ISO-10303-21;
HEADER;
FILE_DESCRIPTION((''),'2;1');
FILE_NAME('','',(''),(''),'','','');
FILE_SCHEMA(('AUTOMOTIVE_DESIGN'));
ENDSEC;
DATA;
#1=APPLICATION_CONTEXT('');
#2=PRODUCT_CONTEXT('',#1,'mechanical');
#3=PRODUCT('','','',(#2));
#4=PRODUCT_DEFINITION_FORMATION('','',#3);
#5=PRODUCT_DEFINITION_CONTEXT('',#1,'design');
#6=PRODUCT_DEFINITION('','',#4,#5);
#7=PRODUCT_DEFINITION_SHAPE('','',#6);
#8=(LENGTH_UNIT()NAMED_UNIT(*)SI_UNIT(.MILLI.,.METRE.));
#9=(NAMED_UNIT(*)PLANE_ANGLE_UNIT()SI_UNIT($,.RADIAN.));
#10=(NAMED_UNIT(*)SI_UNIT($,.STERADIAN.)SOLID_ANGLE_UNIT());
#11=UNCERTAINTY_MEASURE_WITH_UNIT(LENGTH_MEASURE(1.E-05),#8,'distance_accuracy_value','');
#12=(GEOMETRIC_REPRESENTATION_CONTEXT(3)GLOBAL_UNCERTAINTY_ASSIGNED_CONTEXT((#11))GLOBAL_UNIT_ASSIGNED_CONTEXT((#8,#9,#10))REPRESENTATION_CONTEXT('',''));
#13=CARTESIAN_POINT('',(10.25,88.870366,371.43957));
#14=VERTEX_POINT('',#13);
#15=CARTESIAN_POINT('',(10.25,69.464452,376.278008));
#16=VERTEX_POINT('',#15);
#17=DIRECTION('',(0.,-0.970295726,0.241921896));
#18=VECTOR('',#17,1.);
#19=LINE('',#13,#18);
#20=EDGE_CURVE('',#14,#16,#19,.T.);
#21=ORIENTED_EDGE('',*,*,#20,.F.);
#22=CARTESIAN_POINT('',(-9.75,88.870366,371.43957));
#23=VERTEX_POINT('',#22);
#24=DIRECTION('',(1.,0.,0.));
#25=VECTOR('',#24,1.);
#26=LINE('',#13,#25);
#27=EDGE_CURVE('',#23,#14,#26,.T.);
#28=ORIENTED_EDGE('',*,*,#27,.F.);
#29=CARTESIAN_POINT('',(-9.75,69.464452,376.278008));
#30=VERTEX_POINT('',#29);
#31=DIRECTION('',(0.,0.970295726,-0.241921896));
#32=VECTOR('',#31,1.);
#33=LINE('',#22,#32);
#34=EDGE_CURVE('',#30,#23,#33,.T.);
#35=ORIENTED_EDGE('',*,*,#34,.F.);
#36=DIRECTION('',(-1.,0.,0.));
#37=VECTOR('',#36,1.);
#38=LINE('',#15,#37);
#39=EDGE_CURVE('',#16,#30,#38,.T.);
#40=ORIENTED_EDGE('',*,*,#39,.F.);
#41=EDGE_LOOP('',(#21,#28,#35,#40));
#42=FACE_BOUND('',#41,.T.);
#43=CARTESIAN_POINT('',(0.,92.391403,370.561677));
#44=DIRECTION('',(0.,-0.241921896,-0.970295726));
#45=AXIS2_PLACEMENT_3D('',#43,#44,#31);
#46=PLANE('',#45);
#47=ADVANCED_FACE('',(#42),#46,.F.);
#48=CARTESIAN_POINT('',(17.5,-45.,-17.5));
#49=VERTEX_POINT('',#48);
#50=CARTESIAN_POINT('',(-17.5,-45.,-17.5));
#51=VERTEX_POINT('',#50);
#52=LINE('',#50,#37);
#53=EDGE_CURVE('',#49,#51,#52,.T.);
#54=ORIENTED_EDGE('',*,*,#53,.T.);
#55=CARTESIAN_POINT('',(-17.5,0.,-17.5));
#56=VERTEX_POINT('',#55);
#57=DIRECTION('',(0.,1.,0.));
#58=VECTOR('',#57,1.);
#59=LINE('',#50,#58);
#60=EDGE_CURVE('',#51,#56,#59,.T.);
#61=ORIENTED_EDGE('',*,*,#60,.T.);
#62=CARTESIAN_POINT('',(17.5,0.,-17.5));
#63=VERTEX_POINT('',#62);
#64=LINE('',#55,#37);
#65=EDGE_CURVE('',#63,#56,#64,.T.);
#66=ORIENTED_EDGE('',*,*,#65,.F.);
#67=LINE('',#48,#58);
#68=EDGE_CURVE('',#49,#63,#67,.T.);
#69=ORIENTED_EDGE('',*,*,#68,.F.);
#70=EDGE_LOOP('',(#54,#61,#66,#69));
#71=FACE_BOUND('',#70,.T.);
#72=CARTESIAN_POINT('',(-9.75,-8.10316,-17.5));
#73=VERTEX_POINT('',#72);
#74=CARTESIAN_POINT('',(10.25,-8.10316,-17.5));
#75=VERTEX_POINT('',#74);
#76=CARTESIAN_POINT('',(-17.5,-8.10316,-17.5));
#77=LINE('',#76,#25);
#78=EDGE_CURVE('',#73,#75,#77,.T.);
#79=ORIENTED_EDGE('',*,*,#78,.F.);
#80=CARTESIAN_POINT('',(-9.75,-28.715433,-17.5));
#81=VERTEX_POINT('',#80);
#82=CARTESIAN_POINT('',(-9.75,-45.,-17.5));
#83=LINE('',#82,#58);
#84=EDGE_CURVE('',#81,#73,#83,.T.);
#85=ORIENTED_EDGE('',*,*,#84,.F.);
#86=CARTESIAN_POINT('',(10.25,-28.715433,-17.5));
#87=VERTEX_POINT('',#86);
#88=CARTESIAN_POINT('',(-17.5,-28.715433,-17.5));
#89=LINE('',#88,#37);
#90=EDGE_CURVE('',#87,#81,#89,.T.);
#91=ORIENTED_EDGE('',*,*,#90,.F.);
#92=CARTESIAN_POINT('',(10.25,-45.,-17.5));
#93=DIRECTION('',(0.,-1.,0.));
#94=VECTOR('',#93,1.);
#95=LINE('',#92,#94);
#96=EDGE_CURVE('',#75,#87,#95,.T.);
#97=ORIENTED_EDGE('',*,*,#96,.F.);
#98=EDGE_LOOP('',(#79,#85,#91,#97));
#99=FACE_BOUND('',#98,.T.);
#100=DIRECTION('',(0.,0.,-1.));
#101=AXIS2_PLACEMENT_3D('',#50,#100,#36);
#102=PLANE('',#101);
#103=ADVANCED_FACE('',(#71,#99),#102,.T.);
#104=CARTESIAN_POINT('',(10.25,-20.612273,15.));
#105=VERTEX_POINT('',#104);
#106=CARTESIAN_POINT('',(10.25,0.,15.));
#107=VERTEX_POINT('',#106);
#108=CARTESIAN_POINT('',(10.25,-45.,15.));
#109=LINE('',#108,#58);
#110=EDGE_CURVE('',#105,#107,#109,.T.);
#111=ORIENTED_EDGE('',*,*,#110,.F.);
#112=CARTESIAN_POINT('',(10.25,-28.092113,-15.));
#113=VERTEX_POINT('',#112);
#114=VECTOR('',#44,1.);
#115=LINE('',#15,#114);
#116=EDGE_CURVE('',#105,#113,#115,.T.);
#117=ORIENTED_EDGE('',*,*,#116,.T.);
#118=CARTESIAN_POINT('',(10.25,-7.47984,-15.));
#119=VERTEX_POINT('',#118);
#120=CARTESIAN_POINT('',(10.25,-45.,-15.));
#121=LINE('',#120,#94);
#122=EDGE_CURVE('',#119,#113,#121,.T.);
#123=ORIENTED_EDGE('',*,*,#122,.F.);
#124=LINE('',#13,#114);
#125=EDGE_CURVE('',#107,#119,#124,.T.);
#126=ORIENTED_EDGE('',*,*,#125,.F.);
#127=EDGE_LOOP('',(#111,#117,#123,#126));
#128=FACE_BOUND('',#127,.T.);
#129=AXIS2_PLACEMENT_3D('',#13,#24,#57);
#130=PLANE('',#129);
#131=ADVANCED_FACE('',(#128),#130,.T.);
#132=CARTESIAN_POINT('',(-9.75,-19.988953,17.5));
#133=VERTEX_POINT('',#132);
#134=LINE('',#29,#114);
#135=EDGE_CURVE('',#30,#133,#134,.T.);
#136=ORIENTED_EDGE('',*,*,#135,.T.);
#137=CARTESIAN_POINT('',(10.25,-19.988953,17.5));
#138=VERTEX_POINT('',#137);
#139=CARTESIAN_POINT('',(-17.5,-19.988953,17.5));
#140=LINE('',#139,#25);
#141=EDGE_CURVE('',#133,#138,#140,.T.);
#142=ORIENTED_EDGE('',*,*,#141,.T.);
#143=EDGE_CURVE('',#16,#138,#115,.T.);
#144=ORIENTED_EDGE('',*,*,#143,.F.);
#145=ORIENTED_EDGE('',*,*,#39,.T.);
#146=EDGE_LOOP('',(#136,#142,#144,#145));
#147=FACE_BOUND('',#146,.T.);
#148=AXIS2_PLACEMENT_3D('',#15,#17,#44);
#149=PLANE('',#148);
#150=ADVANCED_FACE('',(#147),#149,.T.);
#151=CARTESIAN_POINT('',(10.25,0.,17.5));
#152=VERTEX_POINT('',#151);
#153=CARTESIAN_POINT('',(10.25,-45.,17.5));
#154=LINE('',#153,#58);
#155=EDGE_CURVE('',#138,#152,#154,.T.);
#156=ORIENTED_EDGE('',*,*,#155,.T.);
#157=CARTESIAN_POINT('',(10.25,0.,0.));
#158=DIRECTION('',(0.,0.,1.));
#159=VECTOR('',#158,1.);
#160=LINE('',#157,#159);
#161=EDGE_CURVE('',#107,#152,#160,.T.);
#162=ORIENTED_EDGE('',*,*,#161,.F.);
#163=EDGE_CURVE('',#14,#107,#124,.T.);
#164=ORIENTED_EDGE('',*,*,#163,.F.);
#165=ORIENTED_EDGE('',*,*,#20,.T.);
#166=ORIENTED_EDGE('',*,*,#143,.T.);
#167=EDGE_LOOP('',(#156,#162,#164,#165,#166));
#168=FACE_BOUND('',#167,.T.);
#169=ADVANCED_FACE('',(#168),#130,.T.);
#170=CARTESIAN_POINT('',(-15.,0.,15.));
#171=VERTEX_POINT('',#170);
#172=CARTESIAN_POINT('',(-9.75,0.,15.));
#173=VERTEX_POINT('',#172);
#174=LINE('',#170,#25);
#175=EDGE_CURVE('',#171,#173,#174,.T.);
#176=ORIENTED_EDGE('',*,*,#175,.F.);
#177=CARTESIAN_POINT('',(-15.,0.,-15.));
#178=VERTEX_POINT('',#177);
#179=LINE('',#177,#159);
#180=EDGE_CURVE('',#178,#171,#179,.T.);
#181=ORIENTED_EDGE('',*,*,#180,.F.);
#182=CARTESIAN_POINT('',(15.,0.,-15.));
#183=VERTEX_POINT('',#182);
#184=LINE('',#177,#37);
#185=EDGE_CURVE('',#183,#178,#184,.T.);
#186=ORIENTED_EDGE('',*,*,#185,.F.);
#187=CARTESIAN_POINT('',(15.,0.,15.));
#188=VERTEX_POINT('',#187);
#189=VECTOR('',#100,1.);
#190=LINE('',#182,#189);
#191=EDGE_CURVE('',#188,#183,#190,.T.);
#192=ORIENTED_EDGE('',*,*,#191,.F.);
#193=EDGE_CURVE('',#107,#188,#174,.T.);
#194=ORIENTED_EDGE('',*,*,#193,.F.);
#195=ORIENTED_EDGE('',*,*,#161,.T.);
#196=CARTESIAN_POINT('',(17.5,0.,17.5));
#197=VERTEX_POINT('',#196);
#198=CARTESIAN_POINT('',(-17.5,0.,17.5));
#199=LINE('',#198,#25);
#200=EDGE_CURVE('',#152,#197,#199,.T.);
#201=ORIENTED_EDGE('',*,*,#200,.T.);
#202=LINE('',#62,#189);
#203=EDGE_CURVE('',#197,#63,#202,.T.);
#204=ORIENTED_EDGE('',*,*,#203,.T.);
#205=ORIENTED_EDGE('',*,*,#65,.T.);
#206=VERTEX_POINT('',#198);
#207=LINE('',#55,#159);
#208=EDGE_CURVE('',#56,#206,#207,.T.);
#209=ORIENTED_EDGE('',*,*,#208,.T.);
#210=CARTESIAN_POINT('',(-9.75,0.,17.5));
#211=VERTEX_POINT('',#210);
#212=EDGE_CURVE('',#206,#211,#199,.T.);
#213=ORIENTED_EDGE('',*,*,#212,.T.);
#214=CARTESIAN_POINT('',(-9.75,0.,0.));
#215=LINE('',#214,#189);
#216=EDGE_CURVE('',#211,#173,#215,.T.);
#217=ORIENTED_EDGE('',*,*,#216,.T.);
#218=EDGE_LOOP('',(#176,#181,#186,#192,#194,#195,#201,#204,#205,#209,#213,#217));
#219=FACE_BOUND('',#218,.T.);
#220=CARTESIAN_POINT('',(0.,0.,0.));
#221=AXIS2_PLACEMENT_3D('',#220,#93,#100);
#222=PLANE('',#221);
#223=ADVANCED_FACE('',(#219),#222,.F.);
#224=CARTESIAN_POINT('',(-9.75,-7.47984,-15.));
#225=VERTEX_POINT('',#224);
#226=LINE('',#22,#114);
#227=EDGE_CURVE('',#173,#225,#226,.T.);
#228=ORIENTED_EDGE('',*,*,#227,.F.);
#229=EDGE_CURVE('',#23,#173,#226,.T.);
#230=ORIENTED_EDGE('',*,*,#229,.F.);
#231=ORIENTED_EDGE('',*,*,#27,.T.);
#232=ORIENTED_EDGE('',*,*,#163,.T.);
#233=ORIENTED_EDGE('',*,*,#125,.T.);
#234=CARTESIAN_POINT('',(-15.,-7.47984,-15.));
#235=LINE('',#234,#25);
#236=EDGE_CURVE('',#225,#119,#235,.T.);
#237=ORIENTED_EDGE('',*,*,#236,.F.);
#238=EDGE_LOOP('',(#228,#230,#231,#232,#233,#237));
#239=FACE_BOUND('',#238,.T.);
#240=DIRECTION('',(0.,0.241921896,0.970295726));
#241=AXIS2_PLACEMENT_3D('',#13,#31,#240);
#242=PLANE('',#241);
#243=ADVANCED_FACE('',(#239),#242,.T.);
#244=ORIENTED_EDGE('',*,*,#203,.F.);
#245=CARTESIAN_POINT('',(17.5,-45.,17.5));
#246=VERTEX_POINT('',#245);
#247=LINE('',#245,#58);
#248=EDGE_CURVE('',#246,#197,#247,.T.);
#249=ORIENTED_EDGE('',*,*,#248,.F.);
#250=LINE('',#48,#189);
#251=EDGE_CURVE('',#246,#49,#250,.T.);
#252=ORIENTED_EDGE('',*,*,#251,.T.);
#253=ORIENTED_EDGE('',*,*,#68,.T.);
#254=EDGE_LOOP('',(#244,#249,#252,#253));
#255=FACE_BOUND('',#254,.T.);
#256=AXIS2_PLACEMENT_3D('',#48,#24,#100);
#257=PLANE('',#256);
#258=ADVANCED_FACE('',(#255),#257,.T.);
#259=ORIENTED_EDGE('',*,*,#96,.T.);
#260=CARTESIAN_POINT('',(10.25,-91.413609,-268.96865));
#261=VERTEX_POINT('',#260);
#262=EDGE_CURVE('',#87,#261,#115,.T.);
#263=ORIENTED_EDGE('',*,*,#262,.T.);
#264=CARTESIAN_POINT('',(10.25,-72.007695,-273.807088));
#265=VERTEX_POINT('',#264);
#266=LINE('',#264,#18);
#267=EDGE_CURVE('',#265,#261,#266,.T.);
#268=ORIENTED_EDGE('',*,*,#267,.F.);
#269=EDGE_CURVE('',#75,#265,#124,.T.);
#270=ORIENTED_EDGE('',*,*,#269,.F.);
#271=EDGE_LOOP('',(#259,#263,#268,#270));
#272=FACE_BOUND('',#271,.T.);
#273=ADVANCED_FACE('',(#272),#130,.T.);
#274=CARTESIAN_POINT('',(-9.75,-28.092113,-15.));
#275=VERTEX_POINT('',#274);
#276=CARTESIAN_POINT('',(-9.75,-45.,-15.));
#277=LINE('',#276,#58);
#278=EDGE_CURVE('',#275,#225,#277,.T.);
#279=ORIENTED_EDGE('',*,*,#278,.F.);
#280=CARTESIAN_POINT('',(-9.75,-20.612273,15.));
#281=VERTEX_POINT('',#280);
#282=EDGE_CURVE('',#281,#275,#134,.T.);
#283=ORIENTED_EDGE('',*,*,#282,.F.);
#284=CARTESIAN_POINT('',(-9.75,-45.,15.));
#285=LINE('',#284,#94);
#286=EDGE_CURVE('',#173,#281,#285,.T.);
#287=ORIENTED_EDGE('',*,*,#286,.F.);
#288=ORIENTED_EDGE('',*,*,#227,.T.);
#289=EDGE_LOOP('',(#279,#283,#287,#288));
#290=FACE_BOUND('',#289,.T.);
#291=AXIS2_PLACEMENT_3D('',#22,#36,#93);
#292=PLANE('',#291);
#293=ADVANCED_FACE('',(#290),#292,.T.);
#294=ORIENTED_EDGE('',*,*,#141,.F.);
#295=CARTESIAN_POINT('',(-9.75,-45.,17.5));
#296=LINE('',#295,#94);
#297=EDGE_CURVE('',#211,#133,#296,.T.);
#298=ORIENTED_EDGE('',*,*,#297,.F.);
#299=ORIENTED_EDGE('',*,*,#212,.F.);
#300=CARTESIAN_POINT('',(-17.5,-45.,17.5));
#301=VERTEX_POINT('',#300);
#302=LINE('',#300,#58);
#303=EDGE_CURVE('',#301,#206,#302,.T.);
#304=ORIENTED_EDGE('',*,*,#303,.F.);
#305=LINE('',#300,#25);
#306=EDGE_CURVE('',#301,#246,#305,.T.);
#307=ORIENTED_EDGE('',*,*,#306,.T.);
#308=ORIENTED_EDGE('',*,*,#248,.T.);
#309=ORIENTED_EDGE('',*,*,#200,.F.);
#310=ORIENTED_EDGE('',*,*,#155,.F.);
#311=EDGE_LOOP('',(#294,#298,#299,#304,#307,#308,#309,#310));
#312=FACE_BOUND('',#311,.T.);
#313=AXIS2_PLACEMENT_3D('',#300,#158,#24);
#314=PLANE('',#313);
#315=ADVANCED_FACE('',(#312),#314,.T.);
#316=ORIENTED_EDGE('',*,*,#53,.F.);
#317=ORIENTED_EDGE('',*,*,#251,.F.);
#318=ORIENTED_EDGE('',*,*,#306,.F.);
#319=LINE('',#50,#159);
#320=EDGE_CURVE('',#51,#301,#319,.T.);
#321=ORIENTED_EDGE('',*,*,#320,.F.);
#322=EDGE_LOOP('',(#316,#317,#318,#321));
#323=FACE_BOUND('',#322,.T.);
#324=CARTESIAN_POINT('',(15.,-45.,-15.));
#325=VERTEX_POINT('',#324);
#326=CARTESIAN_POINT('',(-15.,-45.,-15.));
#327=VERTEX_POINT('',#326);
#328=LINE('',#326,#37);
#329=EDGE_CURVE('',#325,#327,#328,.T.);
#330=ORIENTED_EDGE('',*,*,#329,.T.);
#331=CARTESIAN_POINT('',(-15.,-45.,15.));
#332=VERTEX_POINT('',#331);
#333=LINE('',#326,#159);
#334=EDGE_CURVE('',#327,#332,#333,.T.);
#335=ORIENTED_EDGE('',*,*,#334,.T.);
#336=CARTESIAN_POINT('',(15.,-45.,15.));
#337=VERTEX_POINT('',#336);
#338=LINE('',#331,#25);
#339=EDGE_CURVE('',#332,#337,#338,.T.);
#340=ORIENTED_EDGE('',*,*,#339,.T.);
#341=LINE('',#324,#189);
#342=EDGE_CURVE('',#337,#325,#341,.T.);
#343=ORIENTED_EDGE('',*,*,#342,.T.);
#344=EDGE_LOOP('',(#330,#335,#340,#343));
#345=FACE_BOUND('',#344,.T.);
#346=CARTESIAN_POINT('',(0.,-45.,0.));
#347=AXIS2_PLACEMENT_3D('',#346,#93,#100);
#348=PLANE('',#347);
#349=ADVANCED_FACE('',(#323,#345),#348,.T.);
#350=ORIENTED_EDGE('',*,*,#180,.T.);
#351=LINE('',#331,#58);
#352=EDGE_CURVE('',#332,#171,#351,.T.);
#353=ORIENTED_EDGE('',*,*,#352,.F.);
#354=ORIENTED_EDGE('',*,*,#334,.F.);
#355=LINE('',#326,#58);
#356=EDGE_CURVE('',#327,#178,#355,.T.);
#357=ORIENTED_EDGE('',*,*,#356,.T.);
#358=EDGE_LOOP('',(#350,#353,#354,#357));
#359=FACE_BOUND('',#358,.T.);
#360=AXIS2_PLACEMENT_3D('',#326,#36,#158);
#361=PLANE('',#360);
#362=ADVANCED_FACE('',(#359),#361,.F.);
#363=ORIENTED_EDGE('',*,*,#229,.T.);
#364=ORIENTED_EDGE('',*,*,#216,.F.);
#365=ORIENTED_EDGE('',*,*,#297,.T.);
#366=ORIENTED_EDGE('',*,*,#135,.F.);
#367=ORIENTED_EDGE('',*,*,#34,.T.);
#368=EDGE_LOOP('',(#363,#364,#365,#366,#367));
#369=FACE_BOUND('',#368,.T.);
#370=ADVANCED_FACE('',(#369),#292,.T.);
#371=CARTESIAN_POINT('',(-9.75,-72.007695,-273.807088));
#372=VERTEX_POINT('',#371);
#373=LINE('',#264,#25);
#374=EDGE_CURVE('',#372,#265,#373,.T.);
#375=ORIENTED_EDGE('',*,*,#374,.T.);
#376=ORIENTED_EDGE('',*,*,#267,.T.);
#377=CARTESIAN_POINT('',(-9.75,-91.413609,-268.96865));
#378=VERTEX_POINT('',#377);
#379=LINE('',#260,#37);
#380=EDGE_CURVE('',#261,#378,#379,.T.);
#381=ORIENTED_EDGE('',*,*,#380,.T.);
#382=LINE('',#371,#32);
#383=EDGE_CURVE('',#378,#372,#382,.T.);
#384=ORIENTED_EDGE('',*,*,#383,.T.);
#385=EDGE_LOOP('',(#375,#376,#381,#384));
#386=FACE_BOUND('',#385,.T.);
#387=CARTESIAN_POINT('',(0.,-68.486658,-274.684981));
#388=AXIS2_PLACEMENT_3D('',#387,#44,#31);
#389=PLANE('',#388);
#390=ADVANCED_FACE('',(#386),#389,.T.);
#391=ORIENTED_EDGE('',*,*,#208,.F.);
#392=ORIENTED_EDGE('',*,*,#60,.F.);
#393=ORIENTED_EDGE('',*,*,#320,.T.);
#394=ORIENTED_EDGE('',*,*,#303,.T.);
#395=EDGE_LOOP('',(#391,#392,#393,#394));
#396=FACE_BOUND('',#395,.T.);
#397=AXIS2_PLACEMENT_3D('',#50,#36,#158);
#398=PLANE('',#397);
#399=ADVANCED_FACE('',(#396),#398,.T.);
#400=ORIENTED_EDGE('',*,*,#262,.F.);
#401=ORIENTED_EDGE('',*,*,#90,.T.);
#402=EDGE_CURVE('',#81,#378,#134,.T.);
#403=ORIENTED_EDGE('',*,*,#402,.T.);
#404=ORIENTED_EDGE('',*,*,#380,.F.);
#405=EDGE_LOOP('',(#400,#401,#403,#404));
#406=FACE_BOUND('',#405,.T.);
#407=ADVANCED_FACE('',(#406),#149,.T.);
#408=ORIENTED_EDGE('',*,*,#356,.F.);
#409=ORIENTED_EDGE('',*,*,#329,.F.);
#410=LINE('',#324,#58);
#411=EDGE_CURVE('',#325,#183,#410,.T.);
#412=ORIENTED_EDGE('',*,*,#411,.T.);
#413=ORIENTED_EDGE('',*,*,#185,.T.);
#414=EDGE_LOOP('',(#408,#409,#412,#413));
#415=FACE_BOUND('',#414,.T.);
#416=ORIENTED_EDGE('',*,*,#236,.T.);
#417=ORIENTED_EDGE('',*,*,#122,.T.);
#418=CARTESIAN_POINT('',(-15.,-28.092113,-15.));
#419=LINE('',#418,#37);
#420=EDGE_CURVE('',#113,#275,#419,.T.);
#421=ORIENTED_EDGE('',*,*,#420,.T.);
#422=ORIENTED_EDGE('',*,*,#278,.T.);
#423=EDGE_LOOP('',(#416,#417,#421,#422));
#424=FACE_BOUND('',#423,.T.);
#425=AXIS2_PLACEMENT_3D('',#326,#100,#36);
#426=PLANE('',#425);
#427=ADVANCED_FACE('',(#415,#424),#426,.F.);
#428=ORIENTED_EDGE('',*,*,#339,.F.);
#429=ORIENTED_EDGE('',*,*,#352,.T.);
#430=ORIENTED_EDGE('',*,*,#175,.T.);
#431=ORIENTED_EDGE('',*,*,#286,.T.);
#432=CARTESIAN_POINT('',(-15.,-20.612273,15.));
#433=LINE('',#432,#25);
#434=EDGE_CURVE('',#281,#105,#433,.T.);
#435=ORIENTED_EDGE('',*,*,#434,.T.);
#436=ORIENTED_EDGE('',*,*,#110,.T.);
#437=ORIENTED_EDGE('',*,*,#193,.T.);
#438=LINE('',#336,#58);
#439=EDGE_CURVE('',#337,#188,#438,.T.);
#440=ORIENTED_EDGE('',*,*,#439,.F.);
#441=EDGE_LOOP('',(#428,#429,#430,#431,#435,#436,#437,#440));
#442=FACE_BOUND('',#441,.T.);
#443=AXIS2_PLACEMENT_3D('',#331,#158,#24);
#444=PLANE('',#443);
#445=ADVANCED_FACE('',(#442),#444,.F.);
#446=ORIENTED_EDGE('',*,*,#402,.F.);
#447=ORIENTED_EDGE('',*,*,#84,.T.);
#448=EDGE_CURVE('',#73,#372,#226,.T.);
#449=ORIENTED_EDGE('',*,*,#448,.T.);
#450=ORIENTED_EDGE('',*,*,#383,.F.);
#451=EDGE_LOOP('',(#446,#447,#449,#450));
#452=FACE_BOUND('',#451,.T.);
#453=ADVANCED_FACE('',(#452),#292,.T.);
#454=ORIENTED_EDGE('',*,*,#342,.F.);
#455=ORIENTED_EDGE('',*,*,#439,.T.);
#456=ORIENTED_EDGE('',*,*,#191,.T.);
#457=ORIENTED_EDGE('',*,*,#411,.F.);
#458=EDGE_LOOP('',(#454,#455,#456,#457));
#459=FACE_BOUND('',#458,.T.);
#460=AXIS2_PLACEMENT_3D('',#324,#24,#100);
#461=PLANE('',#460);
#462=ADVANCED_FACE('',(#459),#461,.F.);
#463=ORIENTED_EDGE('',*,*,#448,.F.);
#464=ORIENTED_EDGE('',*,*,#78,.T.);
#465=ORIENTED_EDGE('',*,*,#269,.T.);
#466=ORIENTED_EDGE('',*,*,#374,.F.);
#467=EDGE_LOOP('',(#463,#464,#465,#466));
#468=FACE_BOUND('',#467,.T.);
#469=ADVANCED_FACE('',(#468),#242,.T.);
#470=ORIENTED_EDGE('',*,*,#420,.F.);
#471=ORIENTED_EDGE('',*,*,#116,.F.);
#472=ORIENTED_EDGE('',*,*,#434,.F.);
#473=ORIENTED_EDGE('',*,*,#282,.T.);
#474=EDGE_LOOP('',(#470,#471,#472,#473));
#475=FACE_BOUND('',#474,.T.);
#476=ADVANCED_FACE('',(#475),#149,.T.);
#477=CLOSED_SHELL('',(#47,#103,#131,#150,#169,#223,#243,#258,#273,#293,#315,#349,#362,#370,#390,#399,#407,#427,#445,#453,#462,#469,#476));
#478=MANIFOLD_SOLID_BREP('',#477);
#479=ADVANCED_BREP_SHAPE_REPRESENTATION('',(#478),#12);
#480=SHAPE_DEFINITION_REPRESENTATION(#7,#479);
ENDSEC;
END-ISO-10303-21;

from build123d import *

# Parameters (mm, degrees)
SKETCH1_W                = 35
SKETCH1_H                = 35
SKETCH1_W_2              = 30
SKETCH1_H_2              = 30
BOSS_EXTRUDE1_DEPTH      = 45
SKETCH5_W                = 20
SKETCH5_H                = 20
BOSS_EXTRUDE3_DEPTH      = 302.5
BOSS_EXTRUDE3_DEPTH_BACK = 362.5


with BuildPart() as part:
    # Sketch1 → Boss-Extrude1 (new body)
    with BuildSketch(Plane(origin=(0, 0, 0), x_dir=(1, 0, 0), z_dir=(0, 1, 0))):
        Rectangle(SKETCH1_W, SKETCH1_H)
        Rectangle(SKETCH1_W_2, SKETCH1_H_2, mode=Mode.SUBTRACT)
    extrude(amount=-BOSS_EXTRUDE1_DEPTH)

    # Sketch5 → Boss-Extrude3 (add, two sides)
    with BuildSketch(Plane(origin=(0, 4.694715628, 18.829475929), x_dir=(1, 0, 0), z_dir=(0, -0.241921896, -0.970295726))) as boss_extrude3_sk:
        with Locations((0.25, 13.628828434)):
            Rectangle(SKETCH5_W, SKETCH5_H)
    extrude(amount=BOSS_EXTRUDE3_DEPTH)
    extrude(boss_extrude3_sk.sketch, amount=-BOSS_EXTRUDE3_DEPTH_BACK)


solid = part.part
